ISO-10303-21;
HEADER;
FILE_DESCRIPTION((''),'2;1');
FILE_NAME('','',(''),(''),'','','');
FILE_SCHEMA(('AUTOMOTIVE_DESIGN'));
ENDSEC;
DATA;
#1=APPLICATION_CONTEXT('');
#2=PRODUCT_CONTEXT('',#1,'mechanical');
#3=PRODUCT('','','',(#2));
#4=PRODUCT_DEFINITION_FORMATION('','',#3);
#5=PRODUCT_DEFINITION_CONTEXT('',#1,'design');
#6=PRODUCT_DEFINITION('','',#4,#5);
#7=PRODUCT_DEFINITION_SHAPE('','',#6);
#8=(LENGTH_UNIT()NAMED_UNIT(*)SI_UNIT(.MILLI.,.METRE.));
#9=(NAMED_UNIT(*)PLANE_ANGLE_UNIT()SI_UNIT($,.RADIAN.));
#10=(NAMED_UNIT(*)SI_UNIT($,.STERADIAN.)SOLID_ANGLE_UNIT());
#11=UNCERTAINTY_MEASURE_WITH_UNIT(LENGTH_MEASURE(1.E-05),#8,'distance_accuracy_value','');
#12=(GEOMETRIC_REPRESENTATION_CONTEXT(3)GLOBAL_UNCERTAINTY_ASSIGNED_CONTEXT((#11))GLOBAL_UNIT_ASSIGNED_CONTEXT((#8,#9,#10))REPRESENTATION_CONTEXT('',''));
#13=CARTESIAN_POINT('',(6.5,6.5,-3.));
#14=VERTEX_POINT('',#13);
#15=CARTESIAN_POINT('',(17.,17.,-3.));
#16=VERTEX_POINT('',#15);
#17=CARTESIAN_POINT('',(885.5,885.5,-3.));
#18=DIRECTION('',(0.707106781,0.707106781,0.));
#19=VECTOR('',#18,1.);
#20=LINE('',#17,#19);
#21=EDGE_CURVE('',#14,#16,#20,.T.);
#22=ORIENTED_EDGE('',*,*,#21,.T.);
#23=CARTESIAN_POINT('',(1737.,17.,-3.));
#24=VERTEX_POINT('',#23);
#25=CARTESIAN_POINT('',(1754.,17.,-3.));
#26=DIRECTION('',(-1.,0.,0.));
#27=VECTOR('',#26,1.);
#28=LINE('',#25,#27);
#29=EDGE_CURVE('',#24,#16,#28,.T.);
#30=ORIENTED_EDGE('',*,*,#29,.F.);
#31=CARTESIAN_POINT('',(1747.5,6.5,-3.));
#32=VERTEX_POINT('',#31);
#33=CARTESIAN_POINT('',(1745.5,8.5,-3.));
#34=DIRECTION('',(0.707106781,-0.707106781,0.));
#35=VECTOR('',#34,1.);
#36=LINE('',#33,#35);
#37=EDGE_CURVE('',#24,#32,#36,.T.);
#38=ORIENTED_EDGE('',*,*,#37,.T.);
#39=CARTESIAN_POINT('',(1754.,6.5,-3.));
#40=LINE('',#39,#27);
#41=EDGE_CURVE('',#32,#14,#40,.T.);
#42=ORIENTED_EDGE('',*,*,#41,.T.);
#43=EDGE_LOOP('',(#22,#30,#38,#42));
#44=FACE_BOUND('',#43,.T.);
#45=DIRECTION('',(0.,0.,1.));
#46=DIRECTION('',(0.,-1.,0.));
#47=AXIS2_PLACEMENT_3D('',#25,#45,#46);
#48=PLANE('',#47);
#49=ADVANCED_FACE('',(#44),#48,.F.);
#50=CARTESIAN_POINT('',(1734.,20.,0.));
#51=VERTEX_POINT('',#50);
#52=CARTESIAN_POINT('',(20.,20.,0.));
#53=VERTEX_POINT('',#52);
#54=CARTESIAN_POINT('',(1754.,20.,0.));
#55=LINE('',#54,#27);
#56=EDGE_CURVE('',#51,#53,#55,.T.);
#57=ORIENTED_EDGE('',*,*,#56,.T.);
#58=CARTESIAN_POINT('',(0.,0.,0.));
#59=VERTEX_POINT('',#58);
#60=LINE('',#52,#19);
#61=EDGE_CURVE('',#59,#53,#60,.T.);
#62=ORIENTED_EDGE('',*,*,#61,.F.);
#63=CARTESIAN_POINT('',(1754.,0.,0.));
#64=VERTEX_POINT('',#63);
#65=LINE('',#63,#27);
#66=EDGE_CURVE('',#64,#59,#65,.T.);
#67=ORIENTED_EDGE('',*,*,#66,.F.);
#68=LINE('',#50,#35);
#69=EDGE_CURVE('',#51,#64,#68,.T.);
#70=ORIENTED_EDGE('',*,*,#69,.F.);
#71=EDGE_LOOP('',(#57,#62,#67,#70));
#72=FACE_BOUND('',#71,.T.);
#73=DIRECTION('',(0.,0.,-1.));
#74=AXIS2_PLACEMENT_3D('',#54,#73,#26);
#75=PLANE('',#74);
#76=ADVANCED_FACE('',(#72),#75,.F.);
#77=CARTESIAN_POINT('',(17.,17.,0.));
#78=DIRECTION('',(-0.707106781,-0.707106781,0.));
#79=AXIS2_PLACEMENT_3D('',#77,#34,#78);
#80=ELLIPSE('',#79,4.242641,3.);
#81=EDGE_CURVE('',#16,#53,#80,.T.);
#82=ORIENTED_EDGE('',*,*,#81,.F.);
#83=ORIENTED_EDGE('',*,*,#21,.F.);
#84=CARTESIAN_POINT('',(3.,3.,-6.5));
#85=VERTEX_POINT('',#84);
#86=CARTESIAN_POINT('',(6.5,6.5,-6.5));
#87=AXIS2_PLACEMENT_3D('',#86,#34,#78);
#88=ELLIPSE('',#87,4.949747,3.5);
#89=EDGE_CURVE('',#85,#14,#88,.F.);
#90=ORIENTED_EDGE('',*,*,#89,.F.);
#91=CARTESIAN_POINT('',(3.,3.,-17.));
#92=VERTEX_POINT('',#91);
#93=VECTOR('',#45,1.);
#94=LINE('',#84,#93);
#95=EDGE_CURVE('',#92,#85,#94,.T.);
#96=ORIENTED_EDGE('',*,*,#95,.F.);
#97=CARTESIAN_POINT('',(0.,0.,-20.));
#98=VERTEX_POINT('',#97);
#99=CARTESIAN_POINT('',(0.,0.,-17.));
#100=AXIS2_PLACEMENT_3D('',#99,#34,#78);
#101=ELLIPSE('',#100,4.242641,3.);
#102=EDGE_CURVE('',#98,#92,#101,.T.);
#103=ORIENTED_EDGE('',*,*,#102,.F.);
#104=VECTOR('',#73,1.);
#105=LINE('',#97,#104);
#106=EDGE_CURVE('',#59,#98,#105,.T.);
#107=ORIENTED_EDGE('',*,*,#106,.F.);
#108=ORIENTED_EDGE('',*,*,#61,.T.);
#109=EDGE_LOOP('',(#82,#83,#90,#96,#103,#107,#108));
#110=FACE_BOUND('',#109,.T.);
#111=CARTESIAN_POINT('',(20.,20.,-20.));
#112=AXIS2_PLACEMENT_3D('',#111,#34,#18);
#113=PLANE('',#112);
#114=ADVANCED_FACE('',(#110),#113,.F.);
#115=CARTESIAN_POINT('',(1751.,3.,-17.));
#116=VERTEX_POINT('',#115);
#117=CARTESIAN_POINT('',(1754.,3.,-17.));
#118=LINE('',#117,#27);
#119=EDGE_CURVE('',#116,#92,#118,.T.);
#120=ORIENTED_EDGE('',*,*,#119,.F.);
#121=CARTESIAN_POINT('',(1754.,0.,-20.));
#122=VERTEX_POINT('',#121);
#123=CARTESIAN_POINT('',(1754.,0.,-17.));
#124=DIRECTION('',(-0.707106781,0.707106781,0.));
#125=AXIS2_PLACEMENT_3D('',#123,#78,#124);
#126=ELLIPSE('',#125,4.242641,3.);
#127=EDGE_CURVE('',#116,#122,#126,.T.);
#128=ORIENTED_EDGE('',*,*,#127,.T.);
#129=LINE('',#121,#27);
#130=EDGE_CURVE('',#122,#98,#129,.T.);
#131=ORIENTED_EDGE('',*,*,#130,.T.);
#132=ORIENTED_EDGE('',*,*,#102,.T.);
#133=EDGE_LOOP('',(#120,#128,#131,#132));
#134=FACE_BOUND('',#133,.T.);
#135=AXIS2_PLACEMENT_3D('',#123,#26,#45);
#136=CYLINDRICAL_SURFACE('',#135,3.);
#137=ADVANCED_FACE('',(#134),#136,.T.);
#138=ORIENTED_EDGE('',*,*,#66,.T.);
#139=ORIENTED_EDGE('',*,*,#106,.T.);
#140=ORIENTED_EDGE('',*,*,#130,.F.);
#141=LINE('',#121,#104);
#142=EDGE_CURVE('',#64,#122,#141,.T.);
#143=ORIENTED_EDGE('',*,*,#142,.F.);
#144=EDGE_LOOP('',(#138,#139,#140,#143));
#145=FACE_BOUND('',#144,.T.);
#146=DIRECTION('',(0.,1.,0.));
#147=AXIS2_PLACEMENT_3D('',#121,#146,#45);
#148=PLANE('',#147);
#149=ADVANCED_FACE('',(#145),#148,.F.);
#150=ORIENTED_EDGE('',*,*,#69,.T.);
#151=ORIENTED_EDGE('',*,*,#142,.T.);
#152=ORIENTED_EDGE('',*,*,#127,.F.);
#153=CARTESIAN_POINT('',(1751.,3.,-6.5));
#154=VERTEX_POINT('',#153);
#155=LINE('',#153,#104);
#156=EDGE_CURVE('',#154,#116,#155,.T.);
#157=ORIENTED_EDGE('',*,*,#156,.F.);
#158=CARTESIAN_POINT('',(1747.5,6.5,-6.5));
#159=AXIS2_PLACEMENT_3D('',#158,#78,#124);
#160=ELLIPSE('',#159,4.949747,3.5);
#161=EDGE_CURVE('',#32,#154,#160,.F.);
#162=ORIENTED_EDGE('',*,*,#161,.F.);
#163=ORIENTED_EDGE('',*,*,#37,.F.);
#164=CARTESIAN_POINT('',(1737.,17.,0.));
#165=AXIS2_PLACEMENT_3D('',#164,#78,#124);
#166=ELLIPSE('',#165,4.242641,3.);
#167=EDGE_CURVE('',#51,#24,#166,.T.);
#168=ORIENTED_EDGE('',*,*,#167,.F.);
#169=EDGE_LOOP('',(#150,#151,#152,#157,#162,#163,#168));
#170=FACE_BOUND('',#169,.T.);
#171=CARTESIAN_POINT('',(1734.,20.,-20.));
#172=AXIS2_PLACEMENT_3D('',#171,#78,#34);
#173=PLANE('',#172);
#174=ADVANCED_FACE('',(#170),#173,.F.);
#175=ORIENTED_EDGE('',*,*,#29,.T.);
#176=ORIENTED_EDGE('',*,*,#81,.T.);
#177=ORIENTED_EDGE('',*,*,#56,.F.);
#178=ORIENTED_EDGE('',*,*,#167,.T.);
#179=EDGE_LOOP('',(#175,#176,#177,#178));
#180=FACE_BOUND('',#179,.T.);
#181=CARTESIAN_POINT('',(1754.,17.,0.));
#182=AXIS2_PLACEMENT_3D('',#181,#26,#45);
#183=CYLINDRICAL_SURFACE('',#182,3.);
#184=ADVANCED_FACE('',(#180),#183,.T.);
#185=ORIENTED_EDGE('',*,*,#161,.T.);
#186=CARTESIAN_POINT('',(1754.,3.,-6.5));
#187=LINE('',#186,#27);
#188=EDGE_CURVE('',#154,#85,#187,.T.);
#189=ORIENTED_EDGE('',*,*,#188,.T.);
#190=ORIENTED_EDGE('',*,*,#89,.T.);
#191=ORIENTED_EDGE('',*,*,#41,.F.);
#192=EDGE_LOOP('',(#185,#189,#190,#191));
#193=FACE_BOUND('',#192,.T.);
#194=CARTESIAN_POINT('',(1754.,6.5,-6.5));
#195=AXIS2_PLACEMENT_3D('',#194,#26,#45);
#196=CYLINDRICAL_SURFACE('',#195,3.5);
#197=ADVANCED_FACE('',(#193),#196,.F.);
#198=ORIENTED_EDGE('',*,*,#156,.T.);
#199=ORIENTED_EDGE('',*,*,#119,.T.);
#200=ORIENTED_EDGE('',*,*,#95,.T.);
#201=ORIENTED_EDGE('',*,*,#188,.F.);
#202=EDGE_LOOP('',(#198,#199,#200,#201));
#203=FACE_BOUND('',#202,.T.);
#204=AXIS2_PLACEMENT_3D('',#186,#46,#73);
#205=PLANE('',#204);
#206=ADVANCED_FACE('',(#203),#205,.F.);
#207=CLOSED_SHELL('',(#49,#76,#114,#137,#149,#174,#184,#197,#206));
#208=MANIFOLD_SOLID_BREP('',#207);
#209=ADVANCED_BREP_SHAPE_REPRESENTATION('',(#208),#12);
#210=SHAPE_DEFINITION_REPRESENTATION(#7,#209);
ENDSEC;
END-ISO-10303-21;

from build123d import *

# Parameters (mm, degrees)
L_ANGLE_EQUAL_20X20X3_1_DEPTH = 1754
CUT_EXTRUDE1_DEPTH            = 1755.228035348


with BuildPart() as part:
    # Sketch16 → L angle (equal) 20X20X3(1) (new body)
    with BuildSketch(Plane(origin=(0, 0, 0), x_dir=(0, 0, -1), z_dir=(1, 0, 0))):
        with BuildLine():
            Line((0, 20), (0, 0))
            Line((0, 0), (20, 0))
            ThreePointArc((20, 0), (19.121320344, 2.121320344), (17, 3))
            Line((17, 3), (6.5, 3))
            ThreePointArc((6.5, 3), (4.025126266, 4.025126266), (3, 6.5))
            Line((3, 6.5), (3, 17))
            ThreePointArc((3, 17), (2.121320344, 19.121320344), (0, 20))
        make_face()
    extrude(amount=L_ANGLE_EQUAL_20X20X3_1_DEPTH)

    # Sketch14 → Cut-Extrude1 (cut, through all)
    with BuildSketch(Plane.XY):
        Polygon((1754, 0), (1754, 20), (1734, 20), align=None)
        Polygon((0, 20), (0, 0), (20, 20), align=None)
    extrude(amount=-CUT_EXTRUDE1_DEPTH, mode=Mode.SUBTRACT)


solid = part.part
